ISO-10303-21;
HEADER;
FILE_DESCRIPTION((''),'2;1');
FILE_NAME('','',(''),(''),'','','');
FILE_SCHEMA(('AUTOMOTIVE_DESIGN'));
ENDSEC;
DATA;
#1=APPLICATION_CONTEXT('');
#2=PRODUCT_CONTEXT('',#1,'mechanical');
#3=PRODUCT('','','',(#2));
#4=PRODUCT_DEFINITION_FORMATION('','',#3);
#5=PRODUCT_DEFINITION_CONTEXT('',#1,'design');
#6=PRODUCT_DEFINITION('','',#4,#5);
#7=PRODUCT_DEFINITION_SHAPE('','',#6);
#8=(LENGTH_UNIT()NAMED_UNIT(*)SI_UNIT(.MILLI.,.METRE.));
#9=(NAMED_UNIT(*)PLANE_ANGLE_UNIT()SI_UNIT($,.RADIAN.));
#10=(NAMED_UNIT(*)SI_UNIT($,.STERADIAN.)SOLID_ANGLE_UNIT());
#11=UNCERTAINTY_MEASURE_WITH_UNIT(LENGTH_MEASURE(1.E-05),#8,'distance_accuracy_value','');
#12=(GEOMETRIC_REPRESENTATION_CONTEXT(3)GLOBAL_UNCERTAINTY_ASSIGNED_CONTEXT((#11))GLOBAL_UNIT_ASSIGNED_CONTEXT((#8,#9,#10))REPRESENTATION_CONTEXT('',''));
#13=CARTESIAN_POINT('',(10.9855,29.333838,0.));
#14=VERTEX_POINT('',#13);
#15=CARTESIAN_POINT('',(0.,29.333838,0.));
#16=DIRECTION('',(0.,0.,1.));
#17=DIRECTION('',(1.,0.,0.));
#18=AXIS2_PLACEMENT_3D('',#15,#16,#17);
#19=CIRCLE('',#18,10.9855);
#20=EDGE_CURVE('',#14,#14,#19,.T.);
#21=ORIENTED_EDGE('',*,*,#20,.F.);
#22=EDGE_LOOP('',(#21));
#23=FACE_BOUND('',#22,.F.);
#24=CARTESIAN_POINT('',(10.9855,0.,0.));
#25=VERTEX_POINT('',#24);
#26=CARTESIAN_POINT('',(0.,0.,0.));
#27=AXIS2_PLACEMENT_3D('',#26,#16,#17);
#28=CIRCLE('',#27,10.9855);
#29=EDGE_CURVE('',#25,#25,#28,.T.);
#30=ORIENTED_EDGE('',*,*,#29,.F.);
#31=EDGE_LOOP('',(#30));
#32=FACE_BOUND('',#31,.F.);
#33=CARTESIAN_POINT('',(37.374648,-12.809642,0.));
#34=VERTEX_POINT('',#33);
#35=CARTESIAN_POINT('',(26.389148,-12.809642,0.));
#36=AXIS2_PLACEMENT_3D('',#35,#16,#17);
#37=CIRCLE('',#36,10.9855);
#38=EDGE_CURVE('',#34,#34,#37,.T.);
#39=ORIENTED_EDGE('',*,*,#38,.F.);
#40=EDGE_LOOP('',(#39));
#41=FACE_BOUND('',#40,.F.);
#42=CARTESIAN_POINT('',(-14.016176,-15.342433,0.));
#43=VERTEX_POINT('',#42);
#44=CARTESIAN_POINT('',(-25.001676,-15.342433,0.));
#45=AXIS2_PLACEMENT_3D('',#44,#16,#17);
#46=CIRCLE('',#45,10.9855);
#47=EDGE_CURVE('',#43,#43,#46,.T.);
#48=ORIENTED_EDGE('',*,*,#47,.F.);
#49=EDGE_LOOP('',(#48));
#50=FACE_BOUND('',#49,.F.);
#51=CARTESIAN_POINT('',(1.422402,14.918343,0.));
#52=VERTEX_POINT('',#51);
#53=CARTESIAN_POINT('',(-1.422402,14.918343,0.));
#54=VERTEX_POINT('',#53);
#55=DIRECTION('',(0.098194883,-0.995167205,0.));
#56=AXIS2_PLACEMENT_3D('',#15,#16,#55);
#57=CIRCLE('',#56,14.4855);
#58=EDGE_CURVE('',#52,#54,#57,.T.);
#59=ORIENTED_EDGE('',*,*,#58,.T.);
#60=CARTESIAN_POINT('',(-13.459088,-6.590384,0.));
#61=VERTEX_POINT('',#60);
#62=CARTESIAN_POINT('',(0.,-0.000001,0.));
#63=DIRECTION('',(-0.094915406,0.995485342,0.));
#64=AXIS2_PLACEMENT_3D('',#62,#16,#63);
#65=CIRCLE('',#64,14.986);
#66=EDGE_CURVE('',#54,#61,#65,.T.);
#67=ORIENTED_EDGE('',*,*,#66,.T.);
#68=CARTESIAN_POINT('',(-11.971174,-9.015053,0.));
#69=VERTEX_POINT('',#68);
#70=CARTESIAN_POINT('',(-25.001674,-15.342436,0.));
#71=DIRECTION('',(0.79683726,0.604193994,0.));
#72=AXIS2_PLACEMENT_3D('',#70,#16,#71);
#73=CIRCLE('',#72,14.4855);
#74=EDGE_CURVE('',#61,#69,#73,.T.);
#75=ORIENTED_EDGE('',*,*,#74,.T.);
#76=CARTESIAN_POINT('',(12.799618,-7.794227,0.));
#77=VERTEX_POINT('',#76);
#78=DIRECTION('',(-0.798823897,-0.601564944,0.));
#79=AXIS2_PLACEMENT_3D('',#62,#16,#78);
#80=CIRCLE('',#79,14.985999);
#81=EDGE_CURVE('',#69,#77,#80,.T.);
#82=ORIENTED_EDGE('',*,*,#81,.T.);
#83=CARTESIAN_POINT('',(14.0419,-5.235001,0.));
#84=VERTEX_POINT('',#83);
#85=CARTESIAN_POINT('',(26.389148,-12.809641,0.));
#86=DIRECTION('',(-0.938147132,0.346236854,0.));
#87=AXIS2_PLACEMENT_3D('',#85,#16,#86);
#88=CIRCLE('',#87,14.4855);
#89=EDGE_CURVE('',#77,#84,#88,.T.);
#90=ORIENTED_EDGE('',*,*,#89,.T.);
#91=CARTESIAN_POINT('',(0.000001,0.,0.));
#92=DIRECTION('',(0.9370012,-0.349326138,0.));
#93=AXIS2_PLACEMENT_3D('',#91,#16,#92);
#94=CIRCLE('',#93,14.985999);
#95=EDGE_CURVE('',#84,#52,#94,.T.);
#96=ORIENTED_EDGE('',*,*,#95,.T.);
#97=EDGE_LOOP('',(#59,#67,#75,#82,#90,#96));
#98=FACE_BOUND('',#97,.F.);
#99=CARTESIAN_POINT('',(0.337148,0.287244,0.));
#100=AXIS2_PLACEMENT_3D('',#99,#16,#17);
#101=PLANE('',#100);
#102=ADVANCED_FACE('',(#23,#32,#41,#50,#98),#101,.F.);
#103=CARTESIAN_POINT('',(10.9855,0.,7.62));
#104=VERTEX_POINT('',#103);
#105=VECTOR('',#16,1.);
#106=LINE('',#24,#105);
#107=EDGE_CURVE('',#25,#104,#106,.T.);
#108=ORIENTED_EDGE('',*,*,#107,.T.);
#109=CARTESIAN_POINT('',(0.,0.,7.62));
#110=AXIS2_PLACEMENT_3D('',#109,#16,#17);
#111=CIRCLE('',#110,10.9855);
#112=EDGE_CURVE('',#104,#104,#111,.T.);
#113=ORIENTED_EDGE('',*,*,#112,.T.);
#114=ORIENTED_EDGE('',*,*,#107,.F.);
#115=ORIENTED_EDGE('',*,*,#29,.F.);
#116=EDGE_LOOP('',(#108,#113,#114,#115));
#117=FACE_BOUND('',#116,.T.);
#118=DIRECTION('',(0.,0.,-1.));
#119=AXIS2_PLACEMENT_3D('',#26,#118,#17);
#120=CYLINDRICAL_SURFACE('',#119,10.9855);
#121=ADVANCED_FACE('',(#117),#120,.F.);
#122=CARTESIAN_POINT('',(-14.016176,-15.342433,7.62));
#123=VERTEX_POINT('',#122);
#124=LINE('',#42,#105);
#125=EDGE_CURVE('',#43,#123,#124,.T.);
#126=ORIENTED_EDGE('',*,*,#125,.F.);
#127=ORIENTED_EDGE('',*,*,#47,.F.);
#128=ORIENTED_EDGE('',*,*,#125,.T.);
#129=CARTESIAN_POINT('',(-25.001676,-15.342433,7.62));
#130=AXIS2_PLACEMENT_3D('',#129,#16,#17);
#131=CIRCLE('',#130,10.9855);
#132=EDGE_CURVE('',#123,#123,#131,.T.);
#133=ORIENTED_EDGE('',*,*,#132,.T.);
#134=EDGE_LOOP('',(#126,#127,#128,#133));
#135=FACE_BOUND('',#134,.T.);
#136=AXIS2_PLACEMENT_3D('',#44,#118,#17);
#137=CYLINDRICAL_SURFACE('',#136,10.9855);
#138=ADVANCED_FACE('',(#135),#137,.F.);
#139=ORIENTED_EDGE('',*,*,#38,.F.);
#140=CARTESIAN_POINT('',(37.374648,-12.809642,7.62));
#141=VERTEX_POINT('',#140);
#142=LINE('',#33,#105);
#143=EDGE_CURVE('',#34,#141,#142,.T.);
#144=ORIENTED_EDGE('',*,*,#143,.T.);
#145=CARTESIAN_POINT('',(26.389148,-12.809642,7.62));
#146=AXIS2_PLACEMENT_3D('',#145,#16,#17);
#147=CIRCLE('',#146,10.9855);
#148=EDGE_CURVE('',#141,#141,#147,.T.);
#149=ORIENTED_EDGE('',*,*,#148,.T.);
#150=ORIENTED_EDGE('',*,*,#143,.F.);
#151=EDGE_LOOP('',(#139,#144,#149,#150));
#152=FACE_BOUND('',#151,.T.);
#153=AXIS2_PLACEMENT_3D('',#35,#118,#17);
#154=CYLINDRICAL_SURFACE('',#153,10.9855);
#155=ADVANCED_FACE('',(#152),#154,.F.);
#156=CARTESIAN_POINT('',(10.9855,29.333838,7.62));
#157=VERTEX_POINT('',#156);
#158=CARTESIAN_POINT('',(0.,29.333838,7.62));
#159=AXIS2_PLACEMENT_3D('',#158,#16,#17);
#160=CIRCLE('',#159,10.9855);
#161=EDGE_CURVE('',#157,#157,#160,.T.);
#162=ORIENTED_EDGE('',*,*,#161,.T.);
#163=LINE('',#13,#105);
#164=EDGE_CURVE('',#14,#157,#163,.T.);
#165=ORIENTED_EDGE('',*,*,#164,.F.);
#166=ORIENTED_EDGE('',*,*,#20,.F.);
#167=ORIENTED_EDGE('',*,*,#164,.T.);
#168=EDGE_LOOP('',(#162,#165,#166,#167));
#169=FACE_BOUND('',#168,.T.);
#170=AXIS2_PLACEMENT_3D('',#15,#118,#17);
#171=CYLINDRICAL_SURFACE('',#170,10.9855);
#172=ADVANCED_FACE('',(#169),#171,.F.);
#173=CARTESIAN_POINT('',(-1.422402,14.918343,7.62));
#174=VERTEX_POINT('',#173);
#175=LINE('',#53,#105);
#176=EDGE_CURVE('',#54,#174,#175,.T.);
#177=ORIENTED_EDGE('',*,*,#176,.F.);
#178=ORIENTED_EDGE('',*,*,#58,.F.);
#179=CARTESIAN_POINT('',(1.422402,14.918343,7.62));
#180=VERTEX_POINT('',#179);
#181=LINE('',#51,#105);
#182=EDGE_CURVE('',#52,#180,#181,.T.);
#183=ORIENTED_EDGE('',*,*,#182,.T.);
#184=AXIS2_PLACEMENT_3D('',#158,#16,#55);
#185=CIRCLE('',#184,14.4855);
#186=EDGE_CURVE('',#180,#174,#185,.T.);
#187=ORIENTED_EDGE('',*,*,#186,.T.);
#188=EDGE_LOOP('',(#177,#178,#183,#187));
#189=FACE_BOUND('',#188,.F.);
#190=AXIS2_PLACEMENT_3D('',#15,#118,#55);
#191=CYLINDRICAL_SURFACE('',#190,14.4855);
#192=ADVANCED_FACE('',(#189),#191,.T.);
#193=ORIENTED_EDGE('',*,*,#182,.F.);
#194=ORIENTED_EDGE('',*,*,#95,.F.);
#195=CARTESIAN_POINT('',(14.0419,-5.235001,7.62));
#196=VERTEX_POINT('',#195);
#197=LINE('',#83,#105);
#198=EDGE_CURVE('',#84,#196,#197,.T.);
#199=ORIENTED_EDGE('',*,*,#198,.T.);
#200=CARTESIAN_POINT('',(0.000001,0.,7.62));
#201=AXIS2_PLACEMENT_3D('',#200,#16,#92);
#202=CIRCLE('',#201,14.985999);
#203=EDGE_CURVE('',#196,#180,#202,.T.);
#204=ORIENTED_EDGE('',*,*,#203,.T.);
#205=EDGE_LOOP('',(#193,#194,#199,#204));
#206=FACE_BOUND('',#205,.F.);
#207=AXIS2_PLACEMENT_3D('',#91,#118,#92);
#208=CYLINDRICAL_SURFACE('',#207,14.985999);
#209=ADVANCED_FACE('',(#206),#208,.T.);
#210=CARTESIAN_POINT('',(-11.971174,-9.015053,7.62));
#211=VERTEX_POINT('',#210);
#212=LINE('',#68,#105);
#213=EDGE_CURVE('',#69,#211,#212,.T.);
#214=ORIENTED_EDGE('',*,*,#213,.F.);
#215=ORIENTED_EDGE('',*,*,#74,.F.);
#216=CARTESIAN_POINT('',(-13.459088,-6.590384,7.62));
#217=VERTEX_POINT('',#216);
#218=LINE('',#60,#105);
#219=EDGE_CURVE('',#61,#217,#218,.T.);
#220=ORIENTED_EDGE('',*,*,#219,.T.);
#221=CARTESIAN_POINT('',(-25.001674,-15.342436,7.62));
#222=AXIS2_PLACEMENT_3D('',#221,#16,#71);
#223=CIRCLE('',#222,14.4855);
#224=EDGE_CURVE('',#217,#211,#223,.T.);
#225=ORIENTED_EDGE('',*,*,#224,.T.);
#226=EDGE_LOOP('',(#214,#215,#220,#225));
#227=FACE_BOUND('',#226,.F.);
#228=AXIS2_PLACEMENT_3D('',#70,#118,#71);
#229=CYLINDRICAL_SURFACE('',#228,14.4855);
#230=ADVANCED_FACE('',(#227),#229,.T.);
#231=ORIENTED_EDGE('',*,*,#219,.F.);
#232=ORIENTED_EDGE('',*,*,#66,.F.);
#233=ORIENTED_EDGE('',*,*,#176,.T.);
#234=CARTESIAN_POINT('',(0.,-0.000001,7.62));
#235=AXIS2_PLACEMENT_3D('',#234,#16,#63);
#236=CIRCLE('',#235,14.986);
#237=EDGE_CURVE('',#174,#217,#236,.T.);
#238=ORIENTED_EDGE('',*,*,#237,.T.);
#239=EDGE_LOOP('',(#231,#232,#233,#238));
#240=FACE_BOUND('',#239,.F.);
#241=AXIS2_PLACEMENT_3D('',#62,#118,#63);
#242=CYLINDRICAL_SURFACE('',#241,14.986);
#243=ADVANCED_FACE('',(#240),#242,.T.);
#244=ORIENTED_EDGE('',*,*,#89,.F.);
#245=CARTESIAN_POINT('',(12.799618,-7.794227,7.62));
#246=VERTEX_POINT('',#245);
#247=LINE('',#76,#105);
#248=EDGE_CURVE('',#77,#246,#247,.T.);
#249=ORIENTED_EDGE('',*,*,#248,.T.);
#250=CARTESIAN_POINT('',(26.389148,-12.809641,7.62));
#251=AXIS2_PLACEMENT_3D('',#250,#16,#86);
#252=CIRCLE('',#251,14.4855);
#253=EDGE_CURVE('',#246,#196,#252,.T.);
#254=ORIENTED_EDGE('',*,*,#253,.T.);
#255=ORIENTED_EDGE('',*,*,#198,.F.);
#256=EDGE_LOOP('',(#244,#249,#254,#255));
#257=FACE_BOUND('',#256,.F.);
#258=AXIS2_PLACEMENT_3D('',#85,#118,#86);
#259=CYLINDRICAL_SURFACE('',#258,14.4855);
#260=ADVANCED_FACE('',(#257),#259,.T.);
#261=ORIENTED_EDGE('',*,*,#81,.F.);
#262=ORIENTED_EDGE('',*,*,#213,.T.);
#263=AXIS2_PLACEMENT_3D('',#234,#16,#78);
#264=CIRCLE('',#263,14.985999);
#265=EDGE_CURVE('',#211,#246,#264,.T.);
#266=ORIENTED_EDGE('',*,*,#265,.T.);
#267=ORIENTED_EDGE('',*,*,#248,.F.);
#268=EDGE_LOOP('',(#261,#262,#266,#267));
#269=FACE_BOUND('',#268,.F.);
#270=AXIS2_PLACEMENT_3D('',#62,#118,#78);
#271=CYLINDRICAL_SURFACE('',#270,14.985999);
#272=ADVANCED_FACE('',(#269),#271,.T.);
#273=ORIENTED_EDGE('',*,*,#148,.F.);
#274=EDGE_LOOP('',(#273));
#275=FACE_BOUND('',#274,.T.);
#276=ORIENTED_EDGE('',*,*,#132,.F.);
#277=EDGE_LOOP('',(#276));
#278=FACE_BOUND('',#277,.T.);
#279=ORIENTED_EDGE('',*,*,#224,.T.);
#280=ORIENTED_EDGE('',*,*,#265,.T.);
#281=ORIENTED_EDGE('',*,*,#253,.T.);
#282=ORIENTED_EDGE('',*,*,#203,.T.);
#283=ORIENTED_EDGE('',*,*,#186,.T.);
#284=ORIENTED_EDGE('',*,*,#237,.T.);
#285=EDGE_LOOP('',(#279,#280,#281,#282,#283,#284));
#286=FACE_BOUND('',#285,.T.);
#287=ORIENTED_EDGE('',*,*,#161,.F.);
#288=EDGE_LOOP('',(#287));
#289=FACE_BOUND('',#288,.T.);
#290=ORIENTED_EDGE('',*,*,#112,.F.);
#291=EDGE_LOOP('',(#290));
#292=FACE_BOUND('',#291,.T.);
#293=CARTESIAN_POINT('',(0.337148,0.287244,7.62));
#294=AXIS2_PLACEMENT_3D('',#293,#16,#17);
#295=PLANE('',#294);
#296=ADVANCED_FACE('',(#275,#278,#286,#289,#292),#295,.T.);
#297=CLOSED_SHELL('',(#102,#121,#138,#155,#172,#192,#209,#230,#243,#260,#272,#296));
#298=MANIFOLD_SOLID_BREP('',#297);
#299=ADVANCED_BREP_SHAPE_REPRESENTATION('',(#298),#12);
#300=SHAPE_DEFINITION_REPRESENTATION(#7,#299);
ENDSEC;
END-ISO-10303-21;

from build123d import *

# Parameters (mm, degrees)
F0_R     = 10.9855
F1_DEPTH = 7.62


with BuildPart() as f1:
    # F0 (on Top) → F1 (new body)
    with BuildSketch(Plane.XY):
        with BuildLine():
            ThreePointArc((14.0419, -5.235001), (12.701397, 7.953283), (1.422402, 14.918343))
            ThreePointArc((1.422402, 14.918343), (0, 43.819338), (-1.422402, 14.918343))
            ThreePointArc((-1.422402, 14.918343), (-13.0775, 7.318414), (-13.459088, -6.590384))
            ThreePointArc((-13.459088, -6.590384), (-37.347888, -22.918762), (-11.971174, -9.015053))
            ThreePointArc((-11.971174, -9.015053), (0.737688, -14.967833), (12.799618, -7.794227))
            ThreePointArc((12.799618, -7.794227), (39.420515, -19.13524), (14.0419, -5.235001))
        make_face()
        with Locations((-25.001676, -15.342433)):
            Circle(F0_R, mode=Mode.SUBTRACT)
        Circle(F0_R, mode=Mode.SUBTRACT)
        with Locations((26.389148, -12.809642)):
            Circle(F0_R, mode=Mode.SUBTRACT)
        with Locations((0, 29.333838)):
            Circle(F0_R, mode=Mode.SUBTRACT)
    extrude(amount=F1_DEPTH)


solid = f1.part
